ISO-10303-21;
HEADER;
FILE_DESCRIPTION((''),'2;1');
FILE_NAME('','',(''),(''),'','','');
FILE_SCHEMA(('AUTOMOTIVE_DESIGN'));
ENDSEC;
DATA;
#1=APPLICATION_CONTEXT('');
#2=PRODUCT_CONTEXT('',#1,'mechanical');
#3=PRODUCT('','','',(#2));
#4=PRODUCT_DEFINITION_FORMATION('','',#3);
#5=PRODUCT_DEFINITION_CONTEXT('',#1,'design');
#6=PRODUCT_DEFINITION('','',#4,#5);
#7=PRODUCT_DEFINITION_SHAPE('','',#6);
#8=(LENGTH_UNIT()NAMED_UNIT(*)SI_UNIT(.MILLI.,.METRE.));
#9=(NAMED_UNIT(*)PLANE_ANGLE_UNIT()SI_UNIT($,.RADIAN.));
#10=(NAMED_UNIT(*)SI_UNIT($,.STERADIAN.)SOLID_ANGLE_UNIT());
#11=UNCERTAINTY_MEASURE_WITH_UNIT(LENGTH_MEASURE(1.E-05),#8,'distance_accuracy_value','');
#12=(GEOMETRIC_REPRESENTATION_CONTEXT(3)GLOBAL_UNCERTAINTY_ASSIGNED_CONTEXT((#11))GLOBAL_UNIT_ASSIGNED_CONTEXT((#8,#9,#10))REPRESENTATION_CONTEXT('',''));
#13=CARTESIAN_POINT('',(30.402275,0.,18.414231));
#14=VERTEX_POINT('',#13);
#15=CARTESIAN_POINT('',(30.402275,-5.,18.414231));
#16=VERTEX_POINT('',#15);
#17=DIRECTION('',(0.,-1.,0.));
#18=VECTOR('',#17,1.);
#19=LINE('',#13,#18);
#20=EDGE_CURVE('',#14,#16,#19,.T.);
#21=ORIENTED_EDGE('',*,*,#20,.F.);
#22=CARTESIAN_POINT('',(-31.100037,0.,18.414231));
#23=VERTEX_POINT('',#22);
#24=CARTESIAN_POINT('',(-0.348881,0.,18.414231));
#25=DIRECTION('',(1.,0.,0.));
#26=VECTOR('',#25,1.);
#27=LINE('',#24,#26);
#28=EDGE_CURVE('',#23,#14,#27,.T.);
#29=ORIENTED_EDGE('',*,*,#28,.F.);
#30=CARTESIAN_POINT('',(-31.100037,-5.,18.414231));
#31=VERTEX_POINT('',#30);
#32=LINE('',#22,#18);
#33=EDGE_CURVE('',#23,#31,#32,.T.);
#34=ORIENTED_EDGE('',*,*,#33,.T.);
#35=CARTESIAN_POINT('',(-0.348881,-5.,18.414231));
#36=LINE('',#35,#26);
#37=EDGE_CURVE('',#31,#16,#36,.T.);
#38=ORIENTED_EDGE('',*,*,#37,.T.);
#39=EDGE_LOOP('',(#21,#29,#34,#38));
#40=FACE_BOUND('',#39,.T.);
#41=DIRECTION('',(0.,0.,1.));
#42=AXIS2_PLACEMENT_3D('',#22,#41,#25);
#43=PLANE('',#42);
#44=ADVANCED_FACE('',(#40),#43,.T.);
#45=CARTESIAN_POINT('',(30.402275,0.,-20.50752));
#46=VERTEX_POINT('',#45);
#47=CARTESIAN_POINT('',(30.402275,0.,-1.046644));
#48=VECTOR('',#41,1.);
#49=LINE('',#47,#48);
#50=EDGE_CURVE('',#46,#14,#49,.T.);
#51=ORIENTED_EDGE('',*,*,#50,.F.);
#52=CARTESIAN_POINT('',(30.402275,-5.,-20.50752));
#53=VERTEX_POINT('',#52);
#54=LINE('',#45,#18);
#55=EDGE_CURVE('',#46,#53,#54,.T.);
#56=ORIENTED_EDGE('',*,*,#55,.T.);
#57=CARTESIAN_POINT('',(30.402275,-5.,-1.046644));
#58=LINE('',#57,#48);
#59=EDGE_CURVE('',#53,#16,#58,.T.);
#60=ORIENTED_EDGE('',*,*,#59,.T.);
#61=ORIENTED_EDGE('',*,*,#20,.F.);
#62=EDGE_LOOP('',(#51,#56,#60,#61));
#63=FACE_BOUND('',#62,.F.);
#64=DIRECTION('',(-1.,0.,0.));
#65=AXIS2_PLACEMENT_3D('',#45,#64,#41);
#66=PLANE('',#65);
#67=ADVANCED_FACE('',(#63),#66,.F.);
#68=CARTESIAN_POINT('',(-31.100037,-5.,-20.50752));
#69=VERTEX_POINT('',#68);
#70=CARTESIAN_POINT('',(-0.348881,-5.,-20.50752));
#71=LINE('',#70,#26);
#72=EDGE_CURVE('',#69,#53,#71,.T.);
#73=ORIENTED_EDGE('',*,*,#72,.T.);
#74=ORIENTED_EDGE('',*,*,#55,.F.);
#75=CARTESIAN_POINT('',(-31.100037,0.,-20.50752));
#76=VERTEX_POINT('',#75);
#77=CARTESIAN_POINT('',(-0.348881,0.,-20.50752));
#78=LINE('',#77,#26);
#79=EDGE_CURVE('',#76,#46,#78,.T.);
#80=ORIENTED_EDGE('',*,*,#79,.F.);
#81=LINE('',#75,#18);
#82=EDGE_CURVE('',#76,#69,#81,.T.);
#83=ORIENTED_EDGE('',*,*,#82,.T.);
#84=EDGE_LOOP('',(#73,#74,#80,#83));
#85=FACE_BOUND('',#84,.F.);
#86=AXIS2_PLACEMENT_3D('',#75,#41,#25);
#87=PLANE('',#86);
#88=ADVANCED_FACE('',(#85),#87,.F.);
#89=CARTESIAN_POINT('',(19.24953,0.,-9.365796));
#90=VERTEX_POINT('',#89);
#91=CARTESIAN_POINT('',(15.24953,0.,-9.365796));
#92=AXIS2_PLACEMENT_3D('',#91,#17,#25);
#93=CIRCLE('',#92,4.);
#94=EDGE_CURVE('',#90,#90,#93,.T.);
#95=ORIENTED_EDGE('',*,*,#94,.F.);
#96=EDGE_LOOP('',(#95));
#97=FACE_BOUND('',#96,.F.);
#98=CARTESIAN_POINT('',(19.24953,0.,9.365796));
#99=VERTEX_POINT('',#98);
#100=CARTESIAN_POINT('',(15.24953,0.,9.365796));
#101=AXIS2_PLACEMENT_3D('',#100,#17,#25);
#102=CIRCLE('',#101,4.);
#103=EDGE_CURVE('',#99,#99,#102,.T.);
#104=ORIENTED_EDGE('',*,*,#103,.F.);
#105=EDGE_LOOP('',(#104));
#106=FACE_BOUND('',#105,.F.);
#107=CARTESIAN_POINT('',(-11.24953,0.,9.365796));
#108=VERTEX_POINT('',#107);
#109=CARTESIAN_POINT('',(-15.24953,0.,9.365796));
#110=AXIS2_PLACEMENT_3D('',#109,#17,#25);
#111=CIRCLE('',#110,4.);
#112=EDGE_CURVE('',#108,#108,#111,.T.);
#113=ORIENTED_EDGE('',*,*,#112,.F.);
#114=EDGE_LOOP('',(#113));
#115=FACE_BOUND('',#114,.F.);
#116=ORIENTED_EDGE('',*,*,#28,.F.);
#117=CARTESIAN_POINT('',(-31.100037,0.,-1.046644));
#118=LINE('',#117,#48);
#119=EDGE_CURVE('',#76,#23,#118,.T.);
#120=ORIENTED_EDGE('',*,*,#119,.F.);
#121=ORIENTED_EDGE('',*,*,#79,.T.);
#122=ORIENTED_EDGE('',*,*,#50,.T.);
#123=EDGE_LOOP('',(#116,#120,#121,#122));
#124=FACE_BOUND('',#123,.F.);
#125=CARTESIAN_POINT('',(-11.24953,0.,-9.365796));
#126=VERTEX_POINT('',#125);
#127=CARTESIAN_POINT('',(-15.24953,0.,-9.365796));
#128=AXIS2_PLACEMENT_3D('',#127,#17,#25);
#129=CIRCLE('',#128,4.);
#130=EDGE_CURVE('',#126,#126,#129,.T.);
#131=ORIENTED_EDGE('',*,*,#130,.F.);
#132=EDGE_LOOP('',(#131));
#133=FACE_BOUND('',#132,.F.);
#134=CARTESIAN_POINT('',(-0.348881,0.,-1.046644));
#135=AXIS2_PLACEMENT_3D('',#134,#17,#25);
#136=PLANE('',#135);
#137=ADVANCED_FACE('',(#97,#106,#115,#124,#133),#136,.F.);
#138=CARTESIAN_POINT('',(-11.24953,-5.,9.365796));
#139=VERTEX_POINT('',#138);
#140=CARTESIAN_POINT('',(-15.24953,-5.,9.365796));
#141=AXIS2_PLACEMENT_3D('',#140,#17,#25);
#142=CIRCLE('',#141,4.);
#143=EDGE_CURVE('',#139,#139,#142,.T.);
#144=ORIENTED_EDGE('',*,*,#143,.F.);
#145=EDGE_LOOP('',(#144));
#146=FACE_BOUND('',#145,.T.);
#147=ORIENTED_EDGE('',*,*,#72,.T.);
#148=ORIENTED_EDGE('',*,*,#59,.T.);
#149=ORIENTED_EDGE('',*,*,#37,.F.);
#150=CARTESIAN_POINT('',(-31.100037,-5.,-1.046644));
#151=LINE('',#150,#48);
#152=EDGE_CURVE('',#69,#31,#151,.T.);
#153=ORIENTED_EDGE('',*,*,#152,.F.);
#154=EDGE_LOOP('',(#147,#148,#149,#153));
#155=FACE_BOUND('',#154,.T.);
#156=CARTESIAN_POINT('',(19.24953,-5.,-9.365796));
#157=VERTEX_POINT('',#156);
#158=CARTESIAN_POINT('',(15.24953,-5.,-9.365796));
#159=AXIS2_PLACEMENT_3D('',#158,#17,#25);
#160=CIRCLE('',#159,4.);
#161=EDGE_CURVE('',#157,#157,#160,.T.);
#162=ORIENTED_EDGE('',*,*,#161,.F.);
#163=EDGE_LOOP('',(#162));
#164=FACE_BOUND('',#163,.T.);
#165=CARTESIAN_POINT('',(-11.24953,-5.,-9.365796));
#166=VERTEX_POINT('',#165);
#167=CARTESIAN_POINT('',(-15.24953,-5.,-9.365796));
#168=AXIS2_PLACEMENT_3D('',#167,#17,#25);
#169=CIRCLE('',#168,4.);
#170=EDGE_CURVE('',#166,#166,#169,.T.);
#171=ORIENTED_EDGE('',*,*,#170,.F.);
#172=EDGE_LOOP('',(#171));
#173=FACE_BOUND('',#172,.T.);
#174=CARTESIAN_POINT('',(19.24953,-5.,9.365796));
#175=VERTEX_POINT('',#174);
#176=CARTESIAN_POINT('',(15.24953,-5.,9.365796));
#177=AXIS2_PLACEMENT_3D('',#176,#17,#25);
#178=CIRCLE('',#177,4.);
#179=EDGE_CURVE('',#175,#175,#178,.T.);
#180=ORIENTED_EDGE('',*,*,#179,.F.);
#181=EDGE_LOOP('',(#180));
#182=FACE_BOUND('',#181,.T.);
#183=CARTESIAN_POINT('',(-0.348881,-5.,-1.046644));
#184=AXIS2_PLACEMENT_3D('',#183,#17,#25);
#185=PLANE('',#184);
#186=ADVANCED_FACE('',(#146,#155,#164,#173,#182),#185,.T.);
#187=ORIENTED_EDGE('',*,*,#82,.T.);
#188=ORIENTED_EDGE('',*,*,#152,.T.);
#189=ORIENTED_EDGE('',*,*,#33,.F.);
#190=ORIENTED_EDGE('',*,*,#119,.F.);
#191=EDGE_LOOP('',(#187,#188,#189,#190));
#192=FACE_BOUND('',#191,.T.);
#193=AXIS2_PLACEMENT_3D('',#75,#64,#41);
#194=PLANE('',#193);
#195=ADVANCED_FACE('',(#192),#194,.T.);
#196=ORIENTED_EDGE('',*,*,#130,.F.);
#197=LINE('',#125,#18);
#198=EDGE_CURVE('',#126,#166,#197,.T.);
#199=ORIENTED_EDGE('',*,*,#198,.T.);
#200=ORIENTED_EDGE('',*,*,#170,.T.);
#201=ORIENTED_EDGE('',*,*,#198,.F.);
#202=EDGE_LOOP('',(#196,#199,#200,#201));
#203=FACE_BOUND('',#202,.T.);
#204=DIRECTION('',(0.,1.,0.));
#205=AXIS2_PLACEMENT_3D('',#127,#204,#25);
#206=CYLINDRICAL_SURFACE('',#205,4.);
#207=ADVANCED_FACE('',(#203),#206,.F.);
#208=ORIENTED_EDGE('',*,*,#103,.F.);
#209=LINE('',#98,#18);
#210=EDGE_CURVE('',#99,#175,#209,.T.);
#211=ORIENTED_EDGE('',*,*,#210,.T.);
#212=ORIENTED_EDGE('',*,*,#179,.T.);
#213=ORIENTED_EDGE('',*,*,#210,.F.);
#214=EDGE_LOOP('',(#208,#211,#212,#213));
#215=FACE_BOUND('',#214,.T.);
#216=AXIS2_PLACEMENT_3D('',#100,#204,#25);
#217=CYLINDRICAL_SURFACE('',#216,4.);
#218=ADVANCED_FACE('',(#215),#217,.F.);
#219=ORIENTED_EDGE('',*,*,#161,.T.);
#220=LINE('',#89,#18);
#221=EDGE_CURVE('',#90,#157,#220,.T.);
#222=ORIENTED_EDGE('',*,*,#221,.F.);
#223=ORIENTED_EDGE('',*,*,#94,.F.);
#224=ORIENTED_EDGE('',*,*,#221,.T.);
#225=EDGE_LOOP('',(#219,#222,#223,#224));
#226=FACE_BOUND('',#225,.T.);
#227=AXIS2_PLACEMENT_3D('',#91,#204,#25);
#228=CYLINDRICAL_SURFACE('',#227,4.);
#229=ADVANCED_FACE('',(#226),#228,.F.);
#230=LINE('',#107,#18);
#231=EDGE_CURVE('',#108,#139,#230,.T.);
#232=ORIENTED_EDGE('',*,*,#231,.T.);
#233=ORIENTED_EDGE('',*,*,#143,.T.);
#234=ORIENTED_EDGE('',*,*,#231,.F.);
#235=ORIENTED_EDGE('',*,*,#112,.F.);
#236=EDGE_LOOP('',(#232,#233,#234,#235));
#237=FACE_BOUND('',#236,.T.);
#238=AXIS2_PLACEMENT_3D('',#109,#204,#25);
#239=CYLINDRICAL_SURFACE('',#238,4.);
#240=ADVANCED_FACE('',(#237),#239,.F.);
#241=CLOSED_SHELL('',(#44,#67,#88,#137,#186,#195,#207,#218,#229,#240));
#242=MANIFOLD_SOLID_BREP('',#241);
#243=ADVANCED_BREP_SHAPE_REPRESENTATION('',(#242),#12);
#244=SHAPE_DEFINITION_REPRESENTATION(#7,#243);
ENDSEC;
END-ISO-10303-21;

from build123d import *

# Parameters (mm, degrees)
F0_W     = 61.502312
F0_H     = 38.921751
F0_R     = 4
F1_DEPTH = 5


with BuildPart() as f1:
    # F0 (on Front) → F1 (new body)
    with BuildSketch(Plane.XZ):
        with Locations((-0.348881, -1.046644)):
            Rectangle(F0_W, F0_H)
        with Locations((-15.24953, -9.365796)):
            Circle(F0_R, mode=Mode.SUBTRACT)
        with Locations((15.24953, -9.365796)):
            Circle(F0_R, mode=Mode.SUBTRACT)
        with Locations((-15.24953, 9.365796)):
            Circle(F0_R, mode=Mode.SUBTRACT)
        with Locations((15.24953, 9.365796)):
            Circle(F0_R, mode=Mode.SUBTRACT)
    extrude(amount=F1_DEPTH)


solid = f1.part
